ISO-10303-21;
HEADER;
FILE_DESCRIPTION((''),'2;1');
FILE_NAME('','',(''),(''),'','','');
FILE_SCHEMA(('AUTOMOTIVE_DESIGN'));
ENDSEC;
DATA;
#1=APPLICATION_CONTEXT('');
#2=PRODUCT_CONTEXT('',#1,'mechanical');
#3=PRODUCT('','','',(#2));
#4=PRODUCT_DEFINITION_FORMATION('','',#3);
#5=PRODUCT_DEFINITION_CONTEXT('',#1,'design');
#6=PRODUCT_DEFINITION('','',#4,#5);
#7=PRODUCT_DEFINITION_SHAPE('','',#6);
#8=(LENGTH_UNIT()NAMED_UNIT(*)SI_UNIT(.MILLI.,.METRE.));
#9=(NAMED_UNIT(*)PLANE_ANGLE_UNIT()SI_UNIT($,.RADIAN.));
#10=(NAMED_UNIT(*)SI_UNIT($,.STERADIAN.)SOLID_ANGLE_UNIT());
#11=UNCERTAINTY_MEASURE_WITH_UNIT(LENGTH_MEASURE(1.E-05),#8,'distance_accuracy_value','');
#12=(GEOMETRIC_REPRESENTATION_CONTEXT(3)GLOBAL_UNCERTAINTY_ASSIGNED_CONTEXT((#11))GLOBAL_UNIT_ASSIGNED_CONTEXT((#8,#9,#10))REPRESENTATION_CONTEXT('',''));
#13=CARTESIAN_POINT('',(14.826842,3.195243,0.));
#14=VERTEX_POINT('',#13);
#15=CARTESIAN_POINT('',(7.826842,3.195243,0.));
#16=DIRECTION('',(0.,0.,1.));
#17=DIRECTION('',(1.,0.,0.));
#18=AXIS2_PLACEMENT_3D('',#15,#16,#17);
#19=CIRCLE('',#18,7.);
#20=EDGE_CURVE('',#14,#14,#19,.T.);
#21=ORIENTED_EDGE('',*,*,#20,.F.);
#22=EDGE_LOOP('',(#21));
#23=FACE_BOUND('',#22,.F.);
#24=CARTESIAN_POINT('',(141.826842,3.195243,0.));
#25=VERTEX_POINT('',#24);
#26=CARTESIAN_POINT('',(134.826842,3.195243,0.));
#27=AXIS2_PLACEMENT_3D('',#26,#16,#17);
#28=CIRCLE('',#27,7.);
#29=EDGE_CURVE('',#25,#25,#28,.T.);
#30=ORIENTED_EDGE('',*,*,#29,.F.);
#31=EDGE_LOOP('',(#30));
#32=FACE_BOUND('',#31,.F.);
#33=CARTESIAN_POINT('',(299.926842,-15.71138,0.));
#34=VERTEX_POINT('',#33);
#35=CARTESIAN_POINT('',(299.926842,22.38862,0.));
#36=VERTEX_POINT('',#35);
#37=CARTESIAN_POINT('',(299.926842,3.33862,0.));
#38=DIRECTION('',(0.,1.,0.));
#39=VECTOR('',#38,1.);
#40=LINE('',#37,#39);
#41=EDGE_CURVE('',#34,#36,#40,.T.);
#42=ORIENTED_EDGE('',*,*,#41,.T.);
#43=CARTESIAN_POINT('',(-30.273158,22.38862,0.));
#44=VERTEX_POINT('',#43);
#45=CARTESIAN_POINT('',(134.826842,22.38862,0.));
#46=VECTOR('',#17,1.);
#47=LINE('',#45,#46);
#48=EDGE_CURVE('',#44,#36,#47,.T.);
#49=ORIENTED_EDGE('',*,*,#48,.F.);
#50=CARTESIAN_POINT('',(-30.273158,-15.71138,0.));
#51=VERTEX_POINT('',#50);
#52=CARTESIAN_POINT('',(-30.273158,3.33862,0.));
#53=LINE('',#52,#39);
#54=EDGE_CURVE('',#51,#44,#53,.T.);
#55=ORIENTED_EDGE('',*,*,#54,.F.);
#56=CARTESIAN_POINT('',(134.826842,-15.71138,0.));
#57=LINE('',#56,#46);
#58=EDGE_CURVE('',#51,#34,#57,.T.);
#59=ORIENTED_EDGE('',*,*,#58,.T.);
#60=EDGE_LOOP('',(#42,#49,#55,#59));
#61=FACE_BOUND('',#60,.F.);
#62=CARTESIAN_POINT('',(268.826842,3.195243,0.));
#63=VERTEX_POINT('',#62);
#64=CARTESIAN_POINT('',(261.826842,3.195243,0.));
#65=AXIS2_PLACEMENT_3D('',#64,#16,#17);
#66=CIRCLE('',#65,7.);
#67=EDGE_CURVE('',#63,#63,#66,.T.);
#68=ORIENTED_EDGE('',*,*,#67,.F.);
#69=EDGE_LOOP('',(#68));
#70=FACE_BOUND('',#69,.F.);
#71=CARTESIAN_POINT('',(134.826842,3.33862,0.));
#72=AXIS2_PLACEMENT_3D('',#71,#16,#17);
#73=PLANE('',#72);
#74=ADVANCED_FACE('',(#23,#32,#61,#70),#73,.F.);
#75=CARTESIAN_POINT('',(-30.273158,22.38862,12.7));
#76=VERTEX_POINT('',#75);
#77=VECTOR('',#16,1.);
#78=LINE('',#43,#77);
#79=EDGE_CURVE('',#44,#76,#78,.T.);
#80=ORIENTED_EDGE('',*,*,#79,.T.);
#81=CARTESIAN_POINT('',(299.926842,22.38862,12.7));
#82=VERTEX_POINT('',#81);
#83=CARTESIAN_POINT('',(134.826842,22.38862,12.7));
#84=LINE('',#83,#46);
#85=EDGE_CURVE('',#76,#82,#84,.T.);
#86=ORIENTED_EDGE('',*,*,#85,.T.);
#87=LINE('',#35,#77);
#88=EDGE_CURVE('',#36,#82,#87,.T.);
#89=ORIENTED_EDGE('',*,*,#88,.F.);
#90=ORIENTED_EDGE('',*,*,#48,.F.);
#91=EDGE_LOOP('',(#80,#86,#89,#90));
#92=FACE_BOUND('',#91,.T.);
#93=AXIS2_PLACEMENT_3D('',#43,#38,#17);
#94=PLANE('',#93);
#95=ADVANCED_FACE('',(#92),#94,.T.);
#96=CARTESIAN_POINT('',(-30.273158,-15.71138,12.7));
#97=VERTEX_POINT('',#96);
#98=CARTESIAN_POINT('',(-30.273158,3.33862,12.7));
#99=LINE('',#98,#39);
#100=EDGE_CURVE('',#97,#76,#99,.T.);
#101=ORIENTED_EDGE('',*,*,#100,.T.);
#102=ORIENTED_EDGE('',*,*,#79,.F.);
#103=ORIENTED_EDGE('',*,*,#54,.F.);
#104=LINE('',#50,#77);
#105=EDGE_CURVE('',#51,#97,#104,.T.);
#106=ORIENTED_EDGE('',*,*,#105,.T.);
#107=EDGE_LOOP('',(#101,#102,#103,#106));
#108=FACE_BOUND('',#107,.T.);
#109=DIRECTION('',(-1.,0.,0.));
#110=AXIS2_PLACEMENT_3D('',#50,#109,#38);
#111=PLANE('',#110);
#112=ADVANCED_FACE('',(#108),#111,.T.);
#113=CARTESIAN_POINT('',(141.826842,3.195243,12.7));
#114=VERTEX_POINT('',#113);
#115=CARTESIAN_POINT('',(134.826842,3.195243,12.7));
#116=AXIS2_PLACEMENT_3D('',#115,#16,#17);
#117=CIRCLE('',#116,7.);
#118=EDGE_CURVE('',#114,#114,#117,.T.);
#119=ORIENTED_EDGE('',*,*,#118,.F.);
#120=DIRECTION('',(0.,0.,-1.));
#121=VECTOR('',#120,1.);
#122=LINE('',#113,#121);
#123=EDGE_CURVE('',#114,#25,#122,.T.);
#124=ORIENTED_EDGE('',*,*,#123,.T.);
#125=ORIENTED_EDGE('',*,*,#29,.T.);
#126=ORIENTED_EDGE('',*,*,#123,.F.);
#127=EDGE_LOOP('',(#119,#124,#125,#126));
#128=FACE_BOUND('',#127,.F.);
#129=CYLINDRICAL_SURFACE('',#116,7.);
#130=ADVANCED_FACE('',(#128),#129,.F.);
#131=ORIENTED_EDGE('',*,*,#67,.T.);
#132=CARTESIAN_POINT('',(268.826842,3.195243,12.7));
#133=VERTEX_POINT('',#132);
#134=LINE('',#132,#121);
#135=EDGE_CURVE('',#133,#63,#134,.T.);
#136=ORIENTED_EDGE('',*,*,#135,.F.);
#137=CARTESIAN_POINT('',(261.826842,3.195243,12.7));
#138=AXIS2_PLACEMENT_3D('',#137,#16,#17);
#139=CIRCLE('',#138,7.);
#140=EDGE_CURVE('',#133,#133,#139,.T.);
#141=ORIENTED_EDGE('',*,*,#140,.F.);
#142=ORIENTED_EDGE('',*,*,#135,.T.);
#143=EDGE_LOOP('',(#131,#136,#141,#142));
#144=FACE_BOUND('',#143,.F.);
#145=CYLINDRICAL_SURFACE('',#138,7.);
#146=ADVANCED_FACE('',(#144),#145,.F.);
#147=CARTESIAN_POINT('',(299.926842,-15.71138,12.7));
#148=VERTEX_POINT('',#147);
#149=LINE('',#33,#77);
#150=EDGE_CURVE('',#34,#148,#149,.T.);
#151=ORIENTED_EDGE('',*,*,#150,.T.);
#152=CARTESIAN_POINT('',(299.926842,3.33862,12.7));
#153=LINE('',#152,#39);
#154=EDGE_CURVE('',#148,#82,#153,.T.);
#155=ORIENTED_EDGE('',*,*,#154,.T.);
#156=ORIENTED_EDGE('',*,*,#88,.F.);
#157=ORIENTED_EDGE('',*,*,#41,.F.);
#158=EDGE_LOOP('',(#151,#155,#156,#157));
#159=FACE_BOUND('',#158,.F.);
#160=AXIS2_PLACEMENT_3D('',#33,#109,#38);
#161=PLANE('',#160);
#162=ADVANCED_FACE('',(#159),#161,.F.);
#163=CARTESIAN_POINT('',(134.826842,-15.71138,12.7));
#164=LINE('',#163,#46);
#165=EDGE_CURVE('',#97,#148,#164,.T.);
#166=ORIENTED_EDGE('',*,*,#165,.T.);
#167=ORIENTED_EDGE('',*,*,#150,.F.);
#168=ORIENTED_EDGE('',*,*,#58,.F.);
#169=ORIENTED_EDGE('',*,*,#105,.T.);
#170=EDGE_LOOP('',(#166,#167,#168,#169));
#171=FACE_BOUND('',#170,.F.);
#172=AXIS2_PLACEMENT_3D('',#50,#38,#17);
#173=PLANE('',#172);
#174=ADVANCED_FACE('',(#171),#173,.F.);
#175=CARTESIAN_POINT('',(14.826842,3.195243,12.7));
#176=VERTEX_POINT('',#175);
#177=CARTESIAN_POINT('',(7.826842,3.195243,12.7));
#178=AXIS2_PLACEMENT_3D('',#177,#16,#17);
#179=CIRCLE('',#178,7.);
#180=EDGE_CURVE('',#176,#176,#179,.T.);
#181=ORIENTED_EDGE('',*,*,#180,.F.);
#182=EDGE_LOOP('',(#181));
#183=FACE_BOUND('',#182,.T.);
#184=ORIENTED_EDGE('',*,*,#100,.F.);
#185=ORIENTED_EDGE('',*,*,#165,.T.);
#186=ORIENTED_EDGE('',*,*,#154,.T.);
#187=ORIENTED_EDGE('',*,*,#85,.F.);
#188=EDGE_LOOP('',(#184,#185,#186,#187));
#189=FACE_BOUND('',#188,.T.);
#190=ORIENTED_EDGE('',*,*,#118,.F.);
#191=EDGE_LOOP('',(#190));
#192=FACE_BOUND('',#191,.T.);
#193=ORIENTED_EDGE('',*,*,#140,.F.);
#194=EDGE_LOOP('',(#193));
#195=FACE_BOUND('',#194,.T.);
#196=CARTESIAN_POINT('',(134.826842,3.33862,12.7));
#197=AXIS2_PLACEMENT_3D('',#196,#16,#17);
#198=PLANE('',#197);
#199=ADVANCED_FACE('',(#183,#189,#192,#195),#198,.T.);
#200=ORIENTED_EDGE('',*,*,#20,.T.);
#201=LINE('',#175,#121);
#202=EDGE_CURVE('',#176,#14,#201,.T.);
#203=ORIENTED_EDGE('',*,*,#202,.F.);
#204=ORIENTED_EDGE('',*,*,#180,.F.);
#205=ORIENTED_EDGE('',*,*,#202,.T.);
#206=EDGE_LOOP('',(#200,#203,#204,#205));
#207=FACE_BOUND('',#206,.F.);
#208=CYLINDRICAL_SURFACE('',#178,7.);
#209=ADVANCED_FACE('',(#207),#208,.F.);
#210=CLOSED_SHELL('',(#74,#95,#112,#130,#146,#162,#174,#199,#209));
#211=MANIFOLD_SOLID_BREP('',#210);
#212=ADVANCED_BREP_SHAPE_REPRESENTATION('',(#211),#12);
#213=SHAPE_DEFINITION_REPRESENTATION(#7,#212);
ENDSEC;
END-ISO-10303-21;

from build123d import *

# Parameters (mm, degrees)
F0_W     = 330.2
F0_H     = 38.1
F1_DEPTH = 12.7
F2_R     = 7
F3_DEPTH = 12.701


with BuildPart() as f1:
    # F0 (on Top) → F1 (new body)
    with BuildSketch(Plane.XY):
        with Locations((134.826842, 3.33862)):
            Rectangle(F0_W, F0_H)
    extrude(amount=F1_DEPTH)

    # F2 (on face) → F3 (cut, through all)
    with BuildSketch(Plane.XY.offset(12.7)):
        with Locations((7.826842, 3.195243)):
            Circle(F2_R)
        with Locations((134.826842, 3.195243)):
            Circle(F2_R)
        with Locations((261.826842, 3.195243)):
            Circle(F2_R)
    extrude(amount=-F3_DEPTH, mode=Mode.SUBTRACT)


solid = f1.part
